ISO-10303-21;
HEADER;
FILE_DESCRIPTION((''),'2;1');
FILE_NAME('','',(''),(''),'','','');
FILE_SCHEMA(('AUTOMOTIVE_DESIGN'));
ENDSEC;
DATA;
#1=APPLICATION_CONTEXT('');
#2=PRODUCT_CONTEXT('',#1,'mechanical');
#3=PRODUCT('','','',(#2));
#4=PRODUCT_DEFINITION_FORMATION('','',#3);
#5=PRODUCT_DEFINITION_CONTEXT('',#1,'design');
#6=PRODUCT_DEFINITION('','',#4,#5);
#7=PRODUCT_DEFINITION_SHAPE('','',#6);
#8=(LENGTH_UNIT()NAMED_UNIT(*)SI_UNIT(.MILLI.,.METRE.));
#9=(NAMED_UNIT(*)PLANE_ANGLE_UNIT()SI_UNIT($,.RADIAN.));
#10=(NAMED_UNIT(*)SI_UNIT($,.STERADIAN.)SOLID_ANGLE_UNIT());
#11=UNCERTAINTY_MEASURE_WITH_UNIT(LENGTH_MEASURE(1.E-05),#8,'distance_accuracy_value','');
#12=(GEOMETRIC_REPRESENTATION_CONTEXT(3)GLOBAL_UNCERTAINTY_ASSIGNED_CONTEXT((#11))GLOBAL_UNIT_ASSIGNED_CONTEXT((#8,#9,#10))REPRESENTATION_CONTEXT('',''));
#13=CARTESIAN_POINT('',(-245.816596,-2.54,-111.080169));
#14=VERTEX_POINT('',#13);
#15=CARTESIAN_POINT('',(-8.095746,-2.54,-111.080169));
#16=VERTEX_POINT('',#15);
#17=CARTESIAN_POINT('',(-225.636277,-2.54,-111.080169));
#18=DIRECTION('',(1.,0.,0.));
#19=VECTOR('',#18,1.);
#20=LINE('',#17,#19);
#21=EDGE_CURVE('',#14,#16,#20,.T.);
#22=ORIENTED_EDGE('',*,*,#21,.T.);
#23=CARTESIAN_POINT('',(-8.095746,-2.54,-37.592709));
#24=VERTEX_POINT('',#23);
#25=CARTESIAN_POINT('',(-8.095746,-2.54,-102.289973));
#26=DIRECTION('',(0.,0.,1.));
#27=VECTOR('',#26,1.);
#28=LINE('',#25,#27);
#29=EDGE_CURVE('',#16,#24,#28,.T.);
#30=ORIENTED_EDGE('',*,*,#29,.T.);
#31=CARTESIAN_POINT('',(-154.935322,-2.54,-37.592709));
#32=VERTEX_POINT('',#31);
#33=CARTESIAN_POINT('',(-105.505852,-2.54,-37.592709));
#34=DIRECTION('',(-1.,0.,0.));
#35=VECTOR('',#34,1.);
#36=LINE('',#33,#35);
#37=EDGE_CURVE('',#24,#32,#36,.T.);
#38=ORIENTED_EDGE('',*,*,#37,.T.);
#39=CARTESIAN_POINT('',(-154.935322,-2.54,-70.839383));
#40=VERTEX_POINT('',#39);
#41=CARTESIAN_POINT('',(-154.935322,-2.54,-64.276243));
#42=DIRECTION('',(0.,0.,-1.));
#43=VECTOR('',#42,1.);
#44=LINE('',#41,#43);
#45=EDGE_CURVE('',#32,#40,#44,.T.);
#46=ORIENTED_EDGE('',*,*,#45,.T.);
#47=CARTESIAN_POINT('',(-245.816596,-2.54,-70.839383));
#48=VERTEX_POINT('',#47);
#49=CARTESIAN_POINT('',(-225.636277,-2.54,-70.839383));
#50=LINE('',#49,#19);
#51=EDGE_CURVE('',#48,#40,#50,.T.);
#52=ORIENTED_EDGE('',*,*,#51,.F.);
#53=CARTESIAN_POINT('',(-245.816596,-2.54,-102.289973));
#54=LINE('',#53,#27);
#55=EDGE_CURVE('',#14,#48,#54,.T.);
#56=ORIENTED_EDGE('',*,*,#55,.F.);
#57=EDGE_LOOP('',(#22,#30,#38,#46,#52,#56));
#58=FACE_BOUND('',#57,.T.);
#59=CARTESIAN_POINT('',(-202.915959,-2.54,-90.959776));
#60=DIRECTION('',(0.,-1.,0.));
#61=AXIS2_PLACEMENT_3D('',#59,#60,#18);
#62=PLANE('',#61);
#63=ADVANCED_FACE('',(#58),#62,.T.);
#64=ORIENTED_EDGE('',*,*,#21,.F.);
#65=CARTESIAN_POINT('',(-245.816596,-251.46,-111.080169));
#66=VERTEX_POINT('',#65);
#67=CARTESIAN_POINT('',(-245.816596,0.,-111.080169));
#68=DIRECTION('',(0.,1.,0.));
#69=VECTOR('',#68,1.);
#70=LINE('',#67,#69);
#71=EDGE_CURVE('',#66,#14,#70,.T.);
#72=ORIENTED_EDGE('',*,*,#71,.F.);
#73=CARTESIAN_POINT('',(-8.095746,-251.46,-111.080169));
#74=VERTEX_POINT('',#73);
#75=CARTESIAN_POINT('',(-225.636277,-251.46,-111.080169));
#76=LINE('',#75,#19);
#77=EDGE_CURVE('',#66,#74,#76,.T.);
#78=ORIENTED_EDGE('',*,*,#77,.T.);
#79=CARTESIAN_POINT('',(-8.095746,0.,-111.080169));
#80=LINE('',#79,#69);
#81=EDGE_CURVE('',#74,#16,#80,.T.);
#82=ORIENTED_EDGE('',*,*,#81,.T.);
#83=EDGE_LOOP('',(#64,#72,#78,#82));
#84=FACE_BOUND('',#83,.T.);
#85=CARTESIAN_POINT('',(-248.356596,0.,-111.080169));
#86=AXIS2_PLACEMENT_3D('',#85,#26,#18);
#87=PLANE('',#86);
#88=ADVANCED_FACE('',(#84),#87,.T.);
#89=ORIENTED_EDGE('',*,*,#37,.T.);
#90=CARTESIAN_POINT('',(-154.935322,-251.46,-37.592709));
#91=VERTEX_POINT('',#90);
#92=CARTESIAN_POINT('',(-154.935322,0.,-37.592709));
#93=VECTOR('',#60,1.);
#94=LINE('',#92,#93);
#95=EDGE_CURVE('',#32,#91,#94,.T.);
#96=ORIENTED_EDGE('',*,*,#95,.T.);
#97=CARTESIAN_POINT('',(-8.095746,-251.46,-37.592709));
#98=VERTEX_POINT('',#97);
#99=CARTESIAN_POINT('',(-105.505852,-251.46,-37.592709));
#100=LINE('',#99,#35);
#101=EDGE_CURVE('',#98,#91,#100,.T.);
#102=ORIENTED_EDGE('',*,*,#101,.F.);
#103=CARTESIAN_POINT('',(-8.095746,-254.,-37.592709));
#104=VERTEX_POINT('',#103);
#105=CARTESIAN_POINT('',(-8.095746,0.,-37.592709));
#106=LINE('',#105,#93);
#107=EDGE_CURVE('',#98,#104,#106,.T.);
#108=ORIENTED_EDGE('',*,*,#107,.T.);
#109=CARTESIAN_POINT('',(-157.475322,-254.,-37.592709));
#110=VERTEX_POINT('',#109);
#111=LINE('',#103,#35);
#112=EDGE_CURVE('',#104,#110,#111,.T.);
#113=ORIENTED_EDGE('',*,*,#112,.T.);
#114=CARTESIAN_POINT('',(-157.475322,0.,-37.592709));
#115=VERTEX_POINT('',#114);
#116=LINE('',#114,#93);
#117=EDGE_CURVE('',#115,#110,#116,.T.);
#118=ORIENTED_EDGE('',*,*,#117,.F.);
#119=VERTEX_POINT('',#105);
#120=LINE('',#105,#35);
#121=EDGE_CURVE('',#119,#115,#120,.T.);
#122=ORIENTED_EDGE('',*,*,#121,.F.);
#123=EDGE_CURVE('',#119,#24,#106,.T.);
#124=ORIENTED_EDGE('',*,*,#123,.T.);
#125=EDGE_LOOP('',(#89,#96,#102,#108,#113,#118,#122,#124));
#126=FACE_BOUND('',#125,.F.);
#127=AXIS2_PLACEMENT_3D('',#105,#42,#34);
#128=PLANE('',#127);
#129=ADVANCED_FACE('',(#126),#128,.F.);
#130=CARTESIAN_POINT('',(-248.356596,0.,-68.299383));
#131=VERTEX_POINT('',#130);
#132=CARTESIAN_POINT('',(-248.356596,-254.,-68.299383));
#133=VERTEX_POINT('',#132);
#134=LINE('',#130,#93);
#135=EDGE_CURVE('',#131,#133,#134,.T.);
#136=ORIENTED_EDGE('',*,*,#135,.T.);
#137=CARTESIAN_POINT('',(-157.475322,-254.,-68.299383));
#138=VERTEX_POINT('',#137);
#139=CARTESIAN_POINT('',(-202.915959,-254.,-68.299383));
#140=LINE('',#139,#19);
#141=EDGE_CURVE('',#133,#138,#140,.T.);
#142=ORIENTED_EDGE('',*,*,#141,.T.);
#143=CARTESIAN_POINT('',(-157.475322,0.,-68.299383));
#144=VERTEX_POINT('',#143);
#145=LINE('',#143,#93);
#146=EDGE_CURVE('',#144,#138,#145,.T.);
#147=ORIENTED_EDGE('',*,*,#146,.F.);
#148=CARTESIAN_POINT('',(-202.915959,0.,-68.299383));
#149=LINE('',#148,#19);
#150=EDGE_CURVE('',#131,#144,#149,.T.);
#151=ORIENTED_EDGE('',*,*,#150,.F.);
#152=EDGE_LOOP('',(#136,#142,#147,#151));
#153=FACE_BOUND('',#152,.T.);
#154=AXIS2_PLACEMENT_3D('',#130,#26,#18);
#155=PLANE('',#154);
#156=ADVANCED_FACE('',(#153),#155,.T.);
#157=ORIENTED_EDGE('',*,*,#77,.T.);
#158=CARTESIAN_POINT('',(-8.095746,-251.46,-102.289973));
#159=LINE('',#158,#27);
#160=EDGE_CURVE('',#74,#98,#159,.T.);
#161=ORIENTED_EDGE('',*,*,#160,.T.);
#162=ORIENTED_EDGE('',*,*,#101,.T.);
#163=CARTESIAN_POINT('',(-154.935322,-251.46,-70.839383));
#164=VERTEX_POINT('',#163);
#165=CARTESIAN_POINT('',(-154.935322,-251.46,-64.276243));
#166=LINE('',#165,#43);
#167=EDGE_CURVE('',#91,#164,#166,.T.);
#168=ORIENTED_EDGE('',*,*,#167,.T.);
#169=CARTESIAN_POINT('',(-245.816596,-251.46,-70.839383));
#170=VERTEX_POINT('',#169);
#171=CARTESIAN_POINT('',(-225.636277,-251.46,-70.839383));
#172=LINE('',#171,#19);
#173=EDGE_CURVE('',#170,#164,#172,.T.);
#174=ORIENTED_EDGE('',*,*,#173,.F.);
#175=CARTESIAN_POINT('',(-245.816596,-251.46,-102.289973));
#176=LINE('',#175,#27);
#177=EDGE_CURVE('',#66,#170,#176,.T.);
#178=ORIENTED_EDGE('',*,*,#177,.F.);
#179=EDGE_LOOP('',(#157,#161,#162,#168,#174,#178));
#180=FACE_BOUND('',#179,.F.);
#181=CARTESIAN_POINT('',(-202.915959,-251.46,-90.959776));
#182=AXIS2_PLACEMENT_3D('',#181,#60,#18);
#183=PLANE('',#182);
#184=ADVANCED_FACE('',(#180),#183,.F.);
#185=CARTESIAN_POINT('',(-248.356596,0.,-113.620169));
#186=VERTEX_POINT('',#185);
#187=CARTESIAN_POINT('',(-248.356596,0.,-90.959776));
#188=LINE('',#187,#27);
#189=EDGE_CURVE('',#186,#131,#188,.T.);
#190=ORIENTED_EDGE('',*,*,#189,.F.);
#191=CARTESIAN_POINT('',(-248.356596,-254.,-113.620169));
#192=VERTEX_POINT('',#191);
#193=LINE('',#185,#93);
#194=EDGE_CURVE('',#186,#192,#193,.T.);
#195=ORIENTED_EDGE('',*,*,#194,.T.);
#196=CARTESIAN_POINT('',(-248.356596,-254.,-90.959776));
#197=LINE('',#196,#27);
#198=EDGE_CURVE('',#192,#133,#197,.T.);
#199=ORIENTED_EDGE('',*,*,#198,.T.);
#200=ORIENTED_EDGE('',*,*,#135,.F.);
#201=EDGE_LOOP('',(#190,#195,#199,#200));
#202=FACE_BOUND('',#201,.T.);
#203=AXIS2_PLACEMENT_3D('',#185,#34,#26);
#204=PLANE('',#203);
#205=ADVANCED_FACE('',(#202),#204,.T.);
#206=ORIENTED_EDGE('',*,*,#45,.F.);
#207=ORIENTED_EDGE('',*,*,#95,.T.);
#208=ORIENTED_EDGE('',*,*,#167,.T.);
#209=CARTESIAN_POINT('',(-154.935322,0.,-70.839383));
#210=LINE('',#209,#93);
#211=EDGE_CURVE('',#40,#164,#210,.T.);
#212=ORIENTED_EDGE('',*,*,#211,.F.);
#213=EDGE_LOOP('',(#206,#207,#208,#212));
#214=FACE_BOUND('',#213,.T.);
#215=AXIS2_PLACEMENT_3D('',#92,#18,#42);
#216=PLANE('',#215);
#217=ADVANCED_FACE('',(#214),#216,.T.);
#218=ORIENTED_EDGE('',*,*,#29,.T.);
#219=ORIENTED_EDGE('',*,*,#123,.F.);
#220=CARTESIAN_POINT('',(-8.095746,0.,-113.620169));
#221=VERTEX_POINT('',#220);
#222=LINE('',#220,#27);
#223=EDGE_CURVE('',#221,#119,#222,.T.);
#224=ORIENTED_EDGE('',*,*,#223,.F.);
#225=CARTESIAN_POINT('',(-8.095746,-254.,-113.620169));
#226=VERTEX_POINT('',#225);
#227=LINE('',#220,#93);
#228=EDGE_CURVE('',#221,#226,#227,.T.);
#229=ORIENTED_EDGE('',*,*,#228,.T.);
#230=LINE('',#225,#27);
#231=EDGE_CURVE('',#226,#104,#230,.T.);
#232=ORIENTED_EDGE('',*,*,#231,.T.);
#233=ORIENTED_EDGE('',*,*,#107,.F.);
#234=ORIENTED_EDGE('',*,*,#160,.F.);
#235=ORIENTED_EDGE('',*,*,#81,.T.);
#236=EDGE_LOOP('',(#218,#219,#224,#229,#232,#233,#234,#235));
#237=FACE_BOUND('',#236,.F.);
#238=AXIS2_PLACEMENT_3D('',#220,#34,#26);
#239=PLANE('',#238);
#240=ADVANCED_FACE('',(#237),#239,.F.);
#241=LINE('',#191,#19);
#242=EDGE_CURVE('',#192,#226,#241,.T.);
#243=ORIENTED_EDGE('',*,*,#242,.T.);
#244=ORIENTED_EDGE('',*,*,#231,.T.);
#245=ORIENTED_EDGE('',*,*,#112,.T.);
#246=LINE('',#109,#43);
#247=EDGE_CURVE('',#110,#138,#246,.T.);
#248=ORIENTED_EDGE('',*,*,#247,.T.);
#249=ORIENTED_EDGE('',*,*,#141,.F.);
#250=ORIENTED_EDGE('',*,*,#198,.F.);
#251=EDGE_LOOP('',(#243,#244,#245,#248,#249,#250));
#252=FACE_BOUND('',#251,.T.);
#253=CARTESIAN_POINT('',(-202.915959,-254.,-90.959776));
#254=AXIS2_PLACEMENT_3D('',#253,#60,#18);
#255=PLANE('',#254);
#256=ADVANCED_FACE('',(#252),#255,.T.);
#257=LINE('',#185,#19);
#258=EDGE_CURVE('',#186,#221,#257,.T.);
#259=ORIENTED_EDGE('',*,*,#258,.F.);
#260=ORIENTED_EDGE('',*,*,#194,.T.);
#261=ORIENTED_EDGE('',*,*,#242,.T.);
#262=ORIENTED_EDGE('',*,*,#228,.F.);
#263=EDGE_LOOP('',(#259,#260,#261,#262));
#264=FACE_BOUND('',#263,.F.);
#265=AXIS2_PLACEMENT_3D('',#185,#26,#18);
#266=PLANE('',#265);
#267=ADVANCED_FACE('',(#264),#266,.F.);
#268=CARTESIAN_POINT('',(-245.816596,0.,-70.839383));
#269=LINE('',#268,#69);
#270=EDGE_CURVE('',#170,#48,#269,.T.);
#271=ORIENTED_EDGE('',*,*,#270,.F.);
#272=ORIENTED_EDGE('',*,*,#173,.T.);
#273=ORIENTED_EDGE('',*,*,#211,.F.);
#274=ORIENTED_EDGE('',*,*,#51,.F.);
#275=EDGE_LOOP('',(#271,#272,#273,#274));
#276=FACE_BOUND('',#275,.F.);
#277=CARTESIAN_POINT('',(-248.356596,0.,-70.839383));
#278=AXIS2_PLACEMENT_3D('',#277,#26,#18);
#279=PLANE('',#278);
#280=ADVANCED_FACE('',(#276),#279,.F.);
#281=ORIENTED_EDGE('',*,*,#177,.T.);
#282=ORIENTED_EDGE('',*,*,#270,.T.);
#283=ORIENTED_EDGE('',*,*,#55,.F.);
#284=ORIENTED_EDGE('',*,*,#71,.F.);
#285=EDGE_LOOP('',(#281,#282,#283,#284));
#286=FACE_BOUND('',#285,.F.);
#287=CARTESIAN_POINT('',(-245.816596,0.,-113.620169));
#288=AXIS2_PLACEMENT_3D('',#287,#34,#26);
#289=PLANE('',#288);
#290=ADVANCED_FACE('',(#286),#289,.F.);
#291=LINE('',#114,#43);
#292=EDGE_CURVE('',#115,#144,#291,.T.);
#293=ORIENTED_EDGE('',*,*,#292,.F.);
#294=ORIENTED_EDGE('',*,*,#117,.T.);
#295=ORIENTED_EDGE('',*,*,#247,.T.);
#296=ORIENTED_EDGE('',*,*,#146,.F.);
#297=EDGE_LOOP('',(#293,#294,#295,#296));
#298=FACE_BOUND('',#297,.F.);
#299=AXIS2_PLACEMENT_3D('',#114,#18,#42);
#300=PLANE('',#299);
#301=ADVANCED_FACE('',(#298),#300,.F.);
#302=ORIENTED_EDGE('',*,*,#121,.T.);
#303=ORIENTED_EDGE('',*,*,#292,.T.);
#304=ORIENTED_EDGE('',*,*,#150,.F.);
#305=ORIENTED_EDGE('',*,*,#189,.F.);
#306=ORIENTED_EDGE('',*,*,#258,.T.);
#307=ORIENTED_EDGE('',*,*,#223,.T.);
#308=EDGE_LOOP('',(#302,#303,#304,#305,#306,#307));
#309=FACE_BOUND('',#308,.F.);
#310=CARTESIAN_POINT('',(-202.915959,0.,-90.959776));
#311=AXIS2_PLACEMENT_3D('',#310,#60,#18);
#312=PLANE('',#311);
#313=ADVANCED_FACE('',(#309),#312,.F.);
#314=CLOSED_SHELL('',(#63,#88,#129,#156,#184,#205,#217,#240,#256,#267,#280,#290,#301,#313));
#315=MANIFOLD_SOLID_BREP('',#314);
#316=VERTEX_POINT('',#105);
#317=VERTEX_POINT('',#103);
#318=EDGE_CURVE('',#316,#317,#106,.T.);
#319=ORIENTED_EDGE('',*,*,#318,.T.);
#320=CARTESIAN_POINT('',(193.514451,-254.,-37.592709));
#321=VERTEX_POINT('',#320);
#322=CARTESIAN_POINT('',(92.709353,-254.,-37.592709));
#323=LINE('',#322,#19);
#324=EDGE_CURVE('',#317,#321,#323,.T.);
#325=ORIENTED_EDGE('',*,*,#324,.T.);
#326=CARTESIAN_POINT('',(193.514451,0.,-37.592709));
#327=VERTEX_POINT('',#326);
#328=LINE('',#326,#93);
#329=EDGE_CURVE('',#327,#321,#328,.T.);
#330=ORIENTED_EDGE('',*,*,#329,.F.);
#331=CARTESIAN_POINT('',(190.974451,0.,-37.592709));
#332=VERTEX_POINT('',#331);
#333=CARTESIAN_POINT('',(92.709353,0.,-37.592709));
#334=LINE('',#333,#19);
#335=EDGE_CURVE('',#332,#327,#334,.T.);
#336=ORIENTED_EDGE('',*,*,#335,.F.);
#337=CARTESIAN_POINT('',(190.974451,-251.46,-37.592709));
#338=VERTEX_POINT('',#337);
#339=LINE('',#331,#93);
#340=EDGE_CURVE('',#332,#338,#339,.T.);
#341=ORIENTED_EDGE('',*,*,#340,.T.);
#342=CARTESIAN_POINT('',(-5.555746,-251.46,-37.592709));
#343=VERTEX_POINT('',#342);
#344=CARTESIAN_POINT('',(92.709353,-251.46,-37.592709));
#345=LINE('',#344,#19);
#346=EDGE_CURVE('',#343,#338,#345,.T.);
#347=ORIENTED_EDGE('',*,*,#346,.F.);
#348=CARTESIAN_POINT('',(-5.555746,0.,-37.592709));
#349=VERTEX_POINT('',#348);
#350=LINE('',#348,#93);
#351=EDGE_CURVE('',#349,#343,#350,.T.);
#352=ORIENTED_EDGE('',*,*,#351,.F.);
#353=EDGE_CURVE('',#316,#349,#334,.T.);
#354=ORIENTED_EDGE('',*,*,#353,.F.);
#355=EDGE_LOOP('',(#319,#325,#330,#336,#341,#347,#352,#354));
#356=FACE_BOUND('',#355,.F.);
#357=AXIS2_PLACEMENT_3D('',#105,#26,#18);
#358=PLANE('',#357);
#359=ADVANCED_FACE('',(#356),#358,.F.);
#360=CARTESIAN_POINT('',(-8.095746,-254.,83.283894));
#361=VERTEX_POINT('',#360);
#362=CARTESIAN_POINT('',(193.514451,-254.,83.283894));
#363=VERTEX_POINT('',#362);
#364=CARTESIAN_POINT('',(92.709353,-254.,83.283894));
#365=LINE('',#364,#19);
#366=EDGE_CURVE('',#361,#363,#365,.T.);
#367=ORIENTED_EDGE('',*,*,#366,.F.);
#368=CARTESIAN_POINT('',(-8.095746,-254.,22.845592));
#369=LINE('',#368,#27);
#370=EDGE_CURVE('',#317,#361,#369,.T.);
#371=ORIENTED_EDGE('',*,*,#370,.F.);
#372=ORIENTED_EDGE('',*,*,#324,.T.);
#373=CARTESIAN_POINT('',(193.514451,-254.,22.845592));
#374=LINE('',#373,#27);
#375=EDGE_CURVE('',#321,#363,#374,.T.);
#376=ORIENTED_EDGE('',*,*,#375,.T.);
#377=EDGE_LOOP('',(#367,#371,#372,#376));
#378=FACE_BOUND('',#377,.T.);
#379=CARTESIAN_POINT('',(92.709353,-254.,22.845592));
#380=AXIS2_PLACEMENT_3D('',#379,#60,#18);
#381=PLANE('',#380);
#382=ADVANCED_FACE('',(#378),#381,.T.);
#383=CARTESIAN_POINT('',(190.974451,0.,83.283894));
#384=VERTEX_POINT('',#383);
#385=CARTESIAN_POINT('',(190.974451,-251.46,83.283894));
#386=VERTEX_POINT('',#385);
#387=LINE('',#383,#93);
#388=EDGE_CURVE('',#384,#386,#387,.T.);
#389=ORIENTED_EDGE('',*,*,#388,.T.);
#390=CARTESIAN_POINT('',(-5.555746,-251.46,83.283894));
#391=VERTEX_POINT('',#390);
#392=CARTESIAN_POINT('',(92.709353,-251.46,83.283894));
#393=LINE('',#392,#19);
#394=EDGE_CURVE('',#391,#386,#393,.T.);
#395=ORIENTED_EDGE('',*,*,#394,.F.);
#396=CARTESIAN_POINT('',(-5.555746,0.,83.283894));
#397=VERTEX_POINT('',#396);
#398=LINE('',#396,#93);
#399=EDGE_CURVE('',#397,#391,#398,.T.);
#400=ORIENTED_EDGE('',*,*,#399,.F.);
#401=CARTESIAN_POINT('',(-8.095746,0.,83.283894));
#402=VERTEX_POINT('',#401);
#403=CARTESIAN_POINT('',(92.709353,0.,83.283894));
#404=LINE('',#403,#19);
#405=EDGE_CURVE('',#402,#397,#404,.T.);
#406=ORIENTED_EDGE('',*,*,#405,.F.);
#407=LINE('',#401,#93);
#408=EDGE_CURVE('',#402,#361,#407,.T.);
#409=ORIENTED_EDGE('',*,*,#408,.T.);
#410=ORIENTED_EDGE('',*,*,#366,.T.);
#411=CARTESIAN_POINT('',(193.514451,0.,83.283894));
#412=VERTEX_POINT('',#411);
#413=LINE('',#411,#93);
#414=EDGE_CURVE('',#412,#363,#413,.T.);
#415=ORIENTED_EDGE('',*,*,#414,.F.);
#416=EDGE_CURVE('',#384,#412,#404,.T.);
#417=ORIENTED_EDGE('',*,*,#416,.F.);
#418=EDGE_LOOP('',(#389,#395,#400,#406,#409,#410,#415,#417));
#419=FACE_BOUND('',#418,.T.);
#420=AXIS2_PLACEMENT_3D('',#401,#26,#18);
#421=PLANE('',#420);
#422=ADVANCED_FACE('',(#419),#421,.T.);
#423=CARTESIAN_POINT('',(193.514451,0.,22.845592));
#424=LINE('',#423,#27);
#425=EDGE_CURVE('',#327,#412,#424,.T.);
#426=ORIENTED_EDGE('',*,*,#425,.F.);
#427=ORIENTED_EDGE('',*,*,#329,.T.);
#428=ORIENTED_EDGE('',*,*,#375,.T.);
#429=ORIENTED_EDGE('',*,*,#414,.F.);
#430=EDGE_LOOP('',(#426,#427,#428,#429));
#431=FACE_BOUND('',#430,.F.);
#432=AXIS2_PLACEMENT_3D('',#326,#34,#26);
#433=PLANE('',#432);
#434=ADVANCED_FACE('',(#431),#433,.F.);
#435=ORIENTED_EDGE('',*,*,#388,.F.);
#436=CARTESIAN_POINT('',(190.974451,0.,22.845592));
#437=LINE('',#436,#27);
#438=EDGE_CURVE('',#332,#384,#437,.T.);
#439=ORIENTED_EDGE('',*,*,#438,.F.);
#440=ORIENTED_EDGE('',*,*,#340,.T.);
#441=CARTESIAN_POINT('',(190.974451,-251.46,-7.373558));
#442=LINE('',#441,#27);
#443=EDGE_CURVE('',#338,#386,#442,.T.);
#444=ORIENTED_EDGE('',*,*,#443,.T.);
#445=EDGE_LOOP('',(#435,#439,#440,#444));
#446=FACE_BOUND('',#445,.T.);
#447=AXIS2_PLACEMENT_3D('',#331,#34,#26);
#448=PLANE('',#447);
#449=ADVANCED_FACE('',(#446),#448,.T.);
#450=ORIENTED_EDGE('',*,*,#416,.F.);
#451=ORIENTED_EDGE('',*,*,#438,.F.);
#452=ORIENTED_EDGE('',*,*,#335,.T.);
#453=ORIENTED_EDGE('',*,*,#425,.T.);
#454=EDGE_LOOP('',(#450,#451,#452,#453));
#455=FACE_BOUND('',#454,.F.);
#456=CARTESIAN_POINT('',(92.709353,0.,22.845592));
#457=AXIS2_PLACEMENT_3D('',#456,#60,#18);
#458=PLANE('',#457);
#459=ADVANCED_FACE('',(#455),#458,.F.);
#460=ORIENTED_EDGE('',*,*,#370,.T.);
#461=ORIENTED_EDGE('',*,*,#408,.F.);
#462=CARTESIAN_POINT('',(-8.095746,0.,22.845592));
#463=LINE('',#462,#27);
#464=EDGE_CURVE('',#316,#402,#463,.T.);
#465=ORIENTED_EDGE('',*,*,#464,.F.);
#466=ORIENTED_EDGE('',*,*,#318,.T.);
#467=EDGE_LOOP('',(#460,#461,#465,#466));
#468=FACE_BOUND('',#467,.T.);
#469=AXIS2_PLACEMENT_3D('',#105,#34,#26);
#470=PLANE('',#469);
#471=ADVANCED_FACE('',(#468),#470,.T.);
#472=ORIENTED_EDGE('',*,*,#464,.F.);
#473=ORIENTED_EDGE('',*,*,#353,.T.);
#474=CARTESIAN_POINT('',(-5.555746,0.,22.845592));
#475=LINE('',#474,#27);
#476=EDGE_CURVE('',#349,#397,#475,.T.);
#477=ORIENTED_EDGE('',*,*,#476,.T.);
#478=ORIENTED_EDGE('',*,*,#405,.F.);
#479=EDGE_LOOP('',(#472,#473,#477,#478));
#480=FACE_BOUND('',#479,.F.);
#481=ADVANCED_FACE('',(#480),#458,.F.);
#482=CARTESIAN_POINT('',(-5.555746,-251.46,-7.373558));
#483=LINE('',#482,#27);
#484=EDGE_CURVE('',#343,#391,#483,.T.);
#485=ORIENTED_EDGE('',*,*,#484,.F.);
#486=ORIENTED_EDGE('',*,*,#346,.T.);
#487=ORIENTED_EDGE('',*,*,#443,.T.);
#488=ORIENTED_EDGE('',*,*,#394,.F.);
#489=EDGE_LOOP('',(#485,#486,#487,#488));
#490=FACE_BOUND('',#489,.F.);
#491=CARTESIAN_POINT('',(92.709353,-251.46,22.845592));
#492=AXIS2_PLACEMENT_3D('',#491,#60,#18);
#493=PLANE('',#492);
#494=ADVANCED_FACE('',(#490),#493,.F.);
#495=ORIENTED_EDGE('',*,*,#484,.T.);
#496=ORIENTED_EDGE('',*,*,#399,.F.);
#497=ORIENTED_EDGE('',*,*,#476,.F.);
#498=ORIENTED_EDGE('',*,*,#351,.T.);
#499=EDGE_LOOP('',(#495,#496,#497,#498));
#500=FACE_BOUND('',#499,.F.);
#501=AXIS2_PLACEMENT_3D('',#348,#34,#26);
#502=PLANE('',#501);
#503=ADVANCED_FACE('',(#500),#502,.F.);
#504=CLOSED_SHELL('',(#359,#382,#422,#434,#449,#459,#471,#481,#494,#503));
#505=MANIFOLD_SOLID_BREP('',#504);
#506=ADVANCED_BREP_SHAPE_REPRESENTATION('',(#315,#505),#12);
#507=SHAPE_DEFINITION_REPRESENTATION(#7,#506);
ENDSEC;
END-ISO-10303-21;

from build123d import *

# Parameters (mm, degrees)
F0_W     = 201.6101973131
F0_H     = 120.8766028285
F1_DEPTH = 254
F0_W_2   = 90.8812731504
F0_H_2   = 45.3207865357
F2_T     = -2.54
F2_2_T   = -2.54


with BuildPart() as f1:
    # F0 (on Front) → F1 (new body)
    with BuildSketch(Plane.XZ):
        with Locations((92.709352728, 22.8455923498)):
            Rectangle(F0_W, F0_H)
    extrude(amount=F1_DEPTH)

    # F2
    f2_openings = [f1.faces().sort_by_distance(p)[0] for p in [
        (92.709353, -127, 83.283894),
        (92.709353, -127, -37.592709),
        (92.709353, 0, 22.845592),
    ]]
    offset(amount=F2_T, openings=f2_openings)


with BuildPart() as f1b:
    # F0 (on Front) → F1, piece 2 (new body)
    with BuildSketch(Plane.XZ):
        with Locations((-202.9159590602, -90.9597761929)):
            Rectangle(F0_W_2, F0_H_2)
        Polygon((-157.475322485, -37.5927090645), (-157.475322485, -68.299382925), (-157.475322485, -113.6201694608), (-8.0957459286, -113.6201694608), (-8.0957459286, -37.5927090645), align=None)
    extrude(amount=F1_DEPTH)

    # F2#2
    f2_2_openings = [f1b.faces().sort_by_distance(p)[0] for p in [
        (-82.785534, -127, -37.592709),
        (-8.095746, -127, -75.606439),
    ]]
    offset(amount=F2_2_T, openings=f2_2_openings, kind=Kind.INTERSECTION)


solid = Compound([f1.part, f1b.part])
